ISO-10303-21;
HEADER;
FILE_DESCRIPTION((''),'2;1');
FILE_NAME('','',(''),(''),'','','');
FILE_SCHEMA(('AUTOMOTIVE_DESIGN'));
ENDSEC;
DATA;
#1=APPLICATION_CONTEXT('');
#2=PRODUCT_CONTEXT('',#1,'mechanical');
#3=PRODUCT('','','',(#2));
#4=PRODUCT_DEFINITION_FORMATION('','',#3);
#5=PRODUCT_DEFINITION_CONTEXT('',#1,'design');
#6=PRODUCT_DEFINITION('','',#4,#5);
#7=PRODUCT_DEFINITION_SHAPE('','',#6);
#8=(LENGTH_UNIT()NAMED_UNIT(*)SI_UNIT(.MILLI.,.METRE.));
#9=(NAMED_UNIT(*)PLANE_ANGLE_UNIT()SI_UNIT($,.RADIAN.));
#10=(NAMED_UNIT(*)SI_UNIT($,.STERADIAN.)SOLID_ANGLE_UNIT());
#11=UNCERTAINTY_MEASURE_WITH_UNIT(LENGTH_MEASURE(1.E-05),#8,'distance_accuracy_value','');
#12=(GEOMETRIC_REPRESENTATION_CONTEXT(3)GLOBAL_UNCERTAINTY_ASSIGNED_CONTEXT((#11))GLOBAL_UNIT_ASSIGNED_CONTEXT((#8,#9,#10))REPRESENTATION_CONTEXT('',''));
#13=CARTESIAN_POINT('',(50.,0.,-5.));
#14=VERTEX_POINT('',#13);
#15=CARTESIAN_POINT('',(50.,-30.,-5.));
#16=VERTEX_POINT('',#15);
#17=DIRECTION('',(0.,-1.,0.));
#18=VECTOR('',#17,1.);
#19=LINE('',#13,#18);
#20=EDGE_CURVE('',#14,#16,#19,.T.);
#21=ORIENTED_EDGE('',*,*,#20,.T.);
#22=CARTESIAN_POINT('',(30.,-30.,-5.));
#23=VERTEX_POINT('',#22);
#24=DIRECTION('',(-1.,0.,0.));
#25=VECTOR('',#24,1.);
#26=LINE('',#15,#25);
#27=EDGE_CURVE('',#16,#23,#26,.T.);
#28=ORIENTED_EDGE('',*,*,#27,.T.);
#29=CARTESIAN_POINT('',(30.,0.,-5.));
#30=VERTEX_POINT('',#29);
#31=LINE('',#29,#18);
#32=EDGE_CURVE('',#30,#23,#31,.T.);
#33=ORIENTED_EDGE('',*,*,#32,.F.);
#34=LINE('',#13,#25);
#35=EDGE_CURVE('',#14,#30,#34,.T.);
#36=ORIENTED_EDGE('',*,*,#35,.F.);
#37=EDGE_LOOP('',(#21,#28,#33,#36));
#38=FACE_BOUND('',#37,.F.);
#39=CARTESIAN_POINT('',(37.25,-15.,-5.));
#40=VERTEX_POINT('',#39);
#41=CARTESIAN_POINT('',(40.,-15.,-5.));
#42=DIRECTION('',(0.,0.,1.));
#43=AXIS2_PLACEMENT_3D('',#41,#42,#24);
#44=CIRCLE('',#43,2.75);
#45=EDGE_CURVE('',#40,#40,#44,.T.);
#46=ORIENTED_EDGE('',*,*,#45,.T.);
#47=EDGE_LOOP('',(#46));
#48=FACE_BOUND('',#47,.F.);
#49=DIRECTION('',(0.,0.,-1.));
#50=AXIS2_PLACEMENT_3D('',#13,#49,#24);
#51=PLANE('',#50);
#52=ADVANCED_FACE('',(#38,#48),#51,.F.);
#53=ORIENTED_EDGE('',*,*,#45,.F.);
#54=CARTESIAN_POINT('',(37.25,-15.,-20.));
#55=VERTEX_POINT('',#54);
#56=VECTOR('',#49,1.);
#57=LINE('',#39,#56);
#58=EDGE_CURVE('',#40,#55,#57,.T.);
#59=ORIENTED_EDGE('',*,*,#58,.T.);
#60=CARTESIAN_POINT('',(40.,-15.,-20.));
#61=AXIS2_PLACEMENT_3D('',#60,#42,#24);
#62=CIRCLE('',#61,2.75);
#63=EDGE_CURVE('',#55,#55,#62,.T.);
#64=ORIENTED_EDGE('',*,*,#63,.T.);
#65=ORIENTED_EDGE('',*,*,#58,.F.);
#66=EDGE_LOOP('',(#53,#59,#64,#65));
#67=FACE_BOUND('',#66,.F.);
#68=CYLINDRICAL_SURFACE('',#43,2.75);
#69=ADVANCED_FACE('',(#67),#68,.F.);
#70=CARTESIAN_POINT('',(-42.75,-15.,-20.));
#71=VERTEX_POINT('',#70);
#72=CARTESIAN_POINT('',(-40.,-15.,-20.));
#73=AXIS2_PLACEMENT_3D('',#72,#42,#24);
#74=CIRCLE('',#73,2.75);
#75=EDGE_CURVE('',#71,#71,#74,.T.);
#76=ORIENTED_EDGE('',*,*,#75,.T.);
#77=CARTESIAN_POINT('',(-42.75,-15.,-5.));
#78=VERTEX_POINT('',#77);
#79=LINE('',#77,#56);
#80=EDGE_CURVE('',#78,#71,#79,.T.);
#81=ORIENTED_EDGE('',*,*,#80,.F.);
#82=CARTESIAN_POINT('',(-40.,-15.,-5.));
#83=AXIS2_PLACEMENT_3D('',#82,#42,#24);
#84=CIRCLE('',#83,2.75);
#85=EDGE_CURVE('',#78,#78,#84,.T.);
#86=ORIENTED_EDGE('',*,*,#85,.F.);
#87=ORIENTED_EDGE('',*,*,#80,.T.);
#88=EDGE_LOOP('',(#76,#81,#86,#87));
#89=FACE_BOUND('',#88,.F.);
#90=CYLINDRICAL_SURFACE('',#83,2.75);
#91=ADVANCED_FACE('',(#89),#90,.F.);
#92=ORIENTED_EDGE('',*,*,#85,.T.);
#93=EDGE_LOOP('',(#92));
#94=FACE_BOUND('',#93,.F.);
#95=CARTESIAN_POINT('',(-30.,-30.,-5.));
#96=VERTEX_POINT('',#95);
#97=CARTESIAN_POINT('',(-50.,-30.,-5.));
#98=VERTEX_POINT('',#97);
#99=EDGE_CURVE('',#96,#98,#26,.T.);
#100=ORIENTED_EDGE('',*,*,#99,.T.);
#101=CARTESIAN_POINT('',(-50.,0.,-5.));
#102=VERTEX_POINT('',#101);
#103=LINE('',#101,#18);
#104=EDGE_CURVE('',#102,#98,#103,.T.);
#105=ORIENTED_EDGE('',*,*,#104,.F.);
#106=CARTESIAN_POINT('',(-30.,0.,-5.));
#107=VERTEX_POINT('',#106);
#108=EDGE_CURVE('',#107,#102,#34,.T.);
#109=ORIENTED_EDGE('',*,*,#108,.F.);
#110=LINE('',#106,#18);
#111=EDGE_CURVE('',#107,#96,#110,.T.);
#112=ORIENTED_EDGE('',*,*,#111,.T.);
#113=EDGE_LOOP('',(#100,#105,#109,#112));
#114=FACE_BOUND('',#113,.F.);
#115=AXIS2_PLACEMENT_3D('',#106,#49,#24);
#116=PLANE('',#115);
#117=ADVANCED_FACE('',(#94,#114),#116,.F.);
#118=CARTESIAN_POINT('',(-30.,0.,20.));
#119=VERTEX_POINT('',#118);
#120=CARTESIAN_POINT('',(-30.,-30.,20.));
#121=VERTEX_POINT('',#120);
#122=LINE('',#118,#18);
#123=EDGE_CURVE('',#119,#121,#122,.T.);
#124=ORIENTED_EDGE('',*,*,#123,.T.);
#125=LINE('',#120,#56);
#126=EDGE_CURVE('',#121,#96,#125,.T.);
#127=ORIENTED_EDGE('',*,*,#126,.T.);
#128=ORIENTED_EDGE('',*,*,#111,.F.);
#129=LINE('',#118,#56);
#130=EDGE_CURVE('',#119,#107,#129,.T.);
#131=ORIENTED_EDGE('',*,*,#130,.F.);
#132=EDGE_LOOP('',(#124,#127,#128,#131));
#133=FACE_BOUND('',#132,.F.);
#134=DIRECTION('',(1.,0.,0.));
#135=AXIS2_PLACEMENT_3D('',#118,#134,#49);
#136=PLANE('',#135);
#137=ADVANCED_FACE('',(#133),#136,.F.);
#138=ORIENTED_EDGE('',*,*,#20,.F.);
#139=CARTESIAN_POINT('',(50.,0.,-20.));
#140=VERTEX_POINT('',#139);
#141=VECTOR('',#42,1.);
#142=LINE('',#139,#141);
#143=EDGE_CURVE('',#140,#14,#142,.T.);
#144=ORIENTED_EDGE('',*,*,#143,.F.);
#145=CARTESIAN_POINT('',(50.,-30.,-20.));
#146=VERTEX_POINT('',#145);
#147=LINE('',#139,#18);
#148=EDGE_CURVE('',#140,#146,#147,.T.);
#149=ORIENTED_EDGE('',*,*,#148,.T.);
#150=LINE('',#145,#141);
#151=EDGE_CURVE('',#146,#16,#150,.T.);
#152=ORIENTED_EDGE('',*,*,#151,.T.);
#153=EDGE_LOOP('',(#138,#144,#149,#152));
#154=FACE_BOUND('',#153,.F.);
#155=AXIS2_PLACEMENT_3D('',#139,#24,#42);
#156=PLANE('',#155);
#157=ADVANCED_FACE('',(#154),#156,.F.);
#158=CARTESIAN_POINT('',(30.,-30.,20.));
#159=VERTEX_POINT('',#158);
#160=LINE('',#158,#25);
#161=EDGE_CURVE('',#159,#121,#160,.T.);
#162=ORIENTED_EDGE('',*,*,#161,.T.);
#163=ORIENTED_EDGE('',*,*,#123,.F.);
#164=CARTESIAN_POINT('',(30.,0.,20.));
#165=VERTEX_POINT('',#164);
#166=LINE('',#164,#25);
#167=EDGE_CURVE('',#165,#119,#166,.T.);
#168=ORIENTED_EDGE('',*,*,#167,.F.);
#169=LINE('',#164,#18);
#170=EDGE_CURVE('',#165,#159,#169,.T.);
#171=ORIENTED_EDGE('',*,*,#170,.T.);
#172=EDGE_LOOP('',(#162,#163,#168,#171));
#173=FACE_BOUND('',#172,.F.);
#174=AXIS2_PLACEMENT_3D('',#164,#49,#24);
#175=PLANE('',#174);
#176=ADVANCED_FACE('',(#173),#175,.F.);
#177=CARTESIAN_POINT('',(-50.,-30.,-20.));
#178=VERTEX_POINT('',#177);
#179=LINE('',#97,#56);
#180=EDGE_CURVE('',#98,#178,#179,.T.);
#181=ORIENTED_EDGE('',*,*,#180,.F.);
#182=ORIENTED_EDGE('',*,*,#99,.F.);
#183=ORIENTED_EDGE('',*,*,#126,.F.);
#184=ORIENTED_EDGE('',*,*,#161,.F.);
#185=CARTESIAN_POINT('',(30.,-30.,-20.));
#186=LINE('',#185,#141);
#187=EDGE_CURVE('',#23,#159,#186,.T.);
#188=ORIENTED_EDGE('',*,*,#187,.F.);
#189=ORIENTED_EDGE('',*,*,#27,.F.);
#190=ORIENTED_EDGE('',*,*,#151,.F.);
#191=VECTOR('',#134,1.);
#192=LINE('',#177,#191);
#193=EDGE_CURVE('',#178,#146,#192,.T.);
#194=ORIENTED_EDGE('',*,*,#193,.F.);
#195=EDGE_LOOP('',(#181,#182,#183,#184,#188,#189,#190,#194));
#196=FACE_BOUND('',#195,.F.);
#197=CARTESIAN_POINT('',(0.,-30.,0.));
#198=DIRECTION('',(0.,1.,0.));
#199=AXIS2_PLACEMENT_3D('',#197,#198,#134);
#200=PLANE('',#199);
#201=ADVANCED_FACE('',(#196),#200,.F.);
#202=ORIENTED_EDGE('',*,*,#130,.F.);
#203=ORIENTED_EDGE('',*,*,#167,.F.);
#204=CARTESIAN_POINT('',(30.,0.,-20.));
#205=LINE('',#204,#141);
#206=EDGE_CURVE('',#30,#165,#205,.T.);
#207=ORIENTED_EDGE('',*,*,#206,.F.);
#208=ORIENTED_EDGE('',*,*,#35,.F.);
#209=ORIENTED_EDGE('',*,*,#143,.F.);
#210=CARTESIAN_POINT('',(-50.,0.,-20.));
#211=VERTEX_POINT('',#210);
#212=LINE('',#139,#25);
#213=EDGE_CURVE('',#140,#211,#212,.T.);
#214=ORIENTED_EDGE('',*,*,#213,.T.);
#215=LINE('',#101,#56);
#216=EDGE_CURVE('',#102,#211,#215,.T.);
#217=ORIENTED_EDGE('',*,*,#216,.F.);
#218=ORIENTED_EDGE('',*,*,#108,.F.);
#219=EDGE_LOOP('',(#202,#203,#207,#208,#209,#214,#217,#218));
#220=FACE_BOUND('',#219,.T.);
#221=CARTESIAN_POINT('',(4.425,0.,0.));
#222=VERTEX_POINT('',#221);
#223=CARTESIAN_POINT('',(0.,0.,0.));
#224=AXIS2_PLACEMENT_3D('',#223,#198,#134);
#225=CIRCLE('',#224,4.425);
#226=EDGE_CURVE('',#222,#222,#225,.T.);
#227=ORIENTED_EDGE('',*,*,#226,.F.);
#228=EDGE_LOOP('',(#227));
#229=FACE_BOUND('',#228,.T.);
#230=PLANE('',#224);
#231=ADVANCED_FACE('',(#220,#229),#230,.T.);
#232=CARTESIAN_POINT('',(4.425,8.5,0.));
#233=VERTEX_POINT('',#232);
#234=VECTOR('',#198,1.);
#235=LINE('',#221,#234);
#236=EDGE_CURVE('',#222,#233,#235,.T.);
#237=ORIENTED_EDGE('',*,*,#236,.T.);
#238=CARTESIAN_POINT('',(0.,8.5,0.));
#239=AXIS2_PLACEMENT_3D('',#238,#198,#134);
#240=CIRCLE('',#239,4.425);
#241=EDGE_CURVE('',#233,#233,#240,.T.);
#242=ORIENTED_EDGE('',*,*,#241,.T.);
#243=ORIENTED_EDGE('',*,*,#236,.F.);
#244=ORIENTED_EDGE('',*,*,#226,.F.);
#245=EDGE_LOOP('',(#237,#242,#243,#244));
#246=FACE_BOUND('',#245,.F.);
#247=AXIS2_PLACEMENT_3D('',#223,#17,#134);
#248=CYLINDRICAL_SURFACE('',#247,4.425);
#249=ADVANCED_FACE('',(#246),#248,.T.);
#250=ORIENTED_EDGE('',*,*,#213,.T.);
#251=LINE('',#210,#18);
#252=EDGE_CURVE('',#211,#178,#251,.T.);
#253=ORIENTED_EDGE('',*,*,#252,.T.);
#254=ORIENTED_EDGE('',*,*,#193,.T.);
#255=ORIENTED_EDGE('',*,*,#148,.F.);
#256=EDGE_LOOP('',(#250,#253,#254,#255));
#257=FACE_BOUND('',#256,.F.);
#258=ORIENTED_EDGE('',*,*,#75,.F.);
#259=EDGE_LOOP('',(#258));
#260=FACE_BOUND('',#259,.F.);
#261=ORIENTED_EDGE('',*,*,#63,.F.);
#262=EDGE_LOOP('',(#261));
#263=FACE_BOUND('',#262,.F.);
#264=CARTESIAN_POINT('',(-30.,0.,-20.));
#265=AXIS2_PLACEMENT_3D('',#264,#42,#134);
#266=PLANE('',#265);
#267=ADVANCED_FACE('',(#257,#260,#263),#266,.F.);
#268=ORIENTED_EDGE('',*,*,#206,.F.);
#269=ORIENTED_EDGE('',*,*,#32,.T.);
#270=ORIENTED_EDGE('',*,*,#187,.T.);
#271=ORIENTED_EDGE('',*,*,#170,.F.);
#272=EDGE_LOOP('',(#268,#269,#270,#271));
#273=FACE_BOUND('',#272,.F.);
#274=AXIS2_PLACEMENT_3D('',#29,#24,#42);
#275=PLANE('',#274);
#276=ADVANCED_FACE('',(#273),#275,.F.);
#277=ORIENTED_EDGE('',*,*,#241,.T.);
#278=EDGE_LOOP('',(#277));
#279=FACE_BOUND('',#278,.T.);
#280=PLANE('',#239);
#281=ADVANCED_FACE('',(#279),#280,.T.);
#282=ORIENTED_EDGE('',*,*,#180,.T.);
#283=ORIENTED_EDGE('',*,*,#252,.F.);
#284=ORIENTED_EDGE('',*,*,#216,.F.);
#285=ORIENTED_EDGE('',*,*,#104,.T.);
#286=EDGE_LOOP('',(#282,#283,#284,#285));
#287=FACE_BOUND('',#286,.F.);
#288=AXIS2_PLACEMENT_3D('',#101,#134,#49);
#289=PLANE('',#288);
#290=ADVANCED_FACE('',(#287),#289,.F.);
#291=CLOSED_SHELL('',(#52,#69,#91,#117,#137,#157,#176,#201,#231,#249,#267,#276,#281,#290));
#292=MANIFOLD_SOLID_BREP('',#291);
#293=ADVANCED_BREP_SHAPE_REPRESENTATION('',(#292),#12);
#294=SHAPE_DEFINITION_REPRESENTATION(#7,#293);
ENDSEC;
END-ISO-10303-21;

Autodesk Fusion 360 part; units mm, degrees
sketch "main" plane through (0, 0, 0) normal (0, 1, 0) x (1, 0, 0) in component "crank-holder"
  line L0 (30, -20) -> (-30, -20)
  line L1 (-30, -20) -> (-30, 20)
  line L2 (-30, 20) -> (30, 20)
  line L3 (30, 20) -> (30, -20)
  line L4 (30, -20) -> (-30, 20) construction
  line L5 (-30, -20) -> (30, 20) construction
  circle A0 centre (0, 0) radius 4.425
  line L6 (-30, 20) -> (-50, 20) construction
  line L7 (-50, 20) -> (50, 20)
  line L8 (50, 20) -> (50, 5)
  line L9 (50, 5) -> (-50, 5)
  line L10 (-50, 5) -> (-50, 20)
  dimension "d1" = 60
  dimension "d2" = 40
  dimension "d3" = 8.85
  dimension "d4" = 20
  dimension "d5" = 100
  dimension "d6" = 15
extrude "Extrude1" add sketch "main" against normal blind 30 contours L0 L1 L3 L9 | L1 L2 L3 L7 L9 | L3 L7 L8 L9 | L1 L7 L9 L10 | A0 in component "crank-holder"
extrude "Extrude2" add sketch "main" along normal blind 8.5 contours A0 in component "crank-holder"
sketch "screws" plane through (0, 0, -5) normal (0, 0, 1) x (-1, 0, 0) in component "crank-holder"
  line L0 (30, 0) -> (50, 0)
  line L1 (50, 0) -> (50, 30)
  line L2 (50, 30) -> (30, 30)
  line L3 (30, 30) -> (30, 0)
  line L4 (50, 0) -> (30, 30) construction
  line L5 (50, 30) -> (30, 0) construction
  line L6 (-50, 0) -> (-30, 30) construction
  line L7 (-50, 30) -> (-30, 0) construction
  circle A0 centre (40, 15) radius 2.75
  circle A1 centre (-40, 15) radius 2.75
  point P0 (-50, 0)
  point P1 (-30, 30)
  point P2 (-50, 30)
  point P3 (-30, 0)
  dimension "d11" = 5.5
  dimension "d12" = 5.5
extrude "Extrude3" cut sketch "screws" against normal blind 15 contours A0 | A1 in component "crank-holder"
component "crank-holder" placed x (1, 0, 0) y (0, 1, 0) z (0, 0, 1) at (0, 0, 0)
equation "d5 = 20 mm + 60 mm + 20 mm"
